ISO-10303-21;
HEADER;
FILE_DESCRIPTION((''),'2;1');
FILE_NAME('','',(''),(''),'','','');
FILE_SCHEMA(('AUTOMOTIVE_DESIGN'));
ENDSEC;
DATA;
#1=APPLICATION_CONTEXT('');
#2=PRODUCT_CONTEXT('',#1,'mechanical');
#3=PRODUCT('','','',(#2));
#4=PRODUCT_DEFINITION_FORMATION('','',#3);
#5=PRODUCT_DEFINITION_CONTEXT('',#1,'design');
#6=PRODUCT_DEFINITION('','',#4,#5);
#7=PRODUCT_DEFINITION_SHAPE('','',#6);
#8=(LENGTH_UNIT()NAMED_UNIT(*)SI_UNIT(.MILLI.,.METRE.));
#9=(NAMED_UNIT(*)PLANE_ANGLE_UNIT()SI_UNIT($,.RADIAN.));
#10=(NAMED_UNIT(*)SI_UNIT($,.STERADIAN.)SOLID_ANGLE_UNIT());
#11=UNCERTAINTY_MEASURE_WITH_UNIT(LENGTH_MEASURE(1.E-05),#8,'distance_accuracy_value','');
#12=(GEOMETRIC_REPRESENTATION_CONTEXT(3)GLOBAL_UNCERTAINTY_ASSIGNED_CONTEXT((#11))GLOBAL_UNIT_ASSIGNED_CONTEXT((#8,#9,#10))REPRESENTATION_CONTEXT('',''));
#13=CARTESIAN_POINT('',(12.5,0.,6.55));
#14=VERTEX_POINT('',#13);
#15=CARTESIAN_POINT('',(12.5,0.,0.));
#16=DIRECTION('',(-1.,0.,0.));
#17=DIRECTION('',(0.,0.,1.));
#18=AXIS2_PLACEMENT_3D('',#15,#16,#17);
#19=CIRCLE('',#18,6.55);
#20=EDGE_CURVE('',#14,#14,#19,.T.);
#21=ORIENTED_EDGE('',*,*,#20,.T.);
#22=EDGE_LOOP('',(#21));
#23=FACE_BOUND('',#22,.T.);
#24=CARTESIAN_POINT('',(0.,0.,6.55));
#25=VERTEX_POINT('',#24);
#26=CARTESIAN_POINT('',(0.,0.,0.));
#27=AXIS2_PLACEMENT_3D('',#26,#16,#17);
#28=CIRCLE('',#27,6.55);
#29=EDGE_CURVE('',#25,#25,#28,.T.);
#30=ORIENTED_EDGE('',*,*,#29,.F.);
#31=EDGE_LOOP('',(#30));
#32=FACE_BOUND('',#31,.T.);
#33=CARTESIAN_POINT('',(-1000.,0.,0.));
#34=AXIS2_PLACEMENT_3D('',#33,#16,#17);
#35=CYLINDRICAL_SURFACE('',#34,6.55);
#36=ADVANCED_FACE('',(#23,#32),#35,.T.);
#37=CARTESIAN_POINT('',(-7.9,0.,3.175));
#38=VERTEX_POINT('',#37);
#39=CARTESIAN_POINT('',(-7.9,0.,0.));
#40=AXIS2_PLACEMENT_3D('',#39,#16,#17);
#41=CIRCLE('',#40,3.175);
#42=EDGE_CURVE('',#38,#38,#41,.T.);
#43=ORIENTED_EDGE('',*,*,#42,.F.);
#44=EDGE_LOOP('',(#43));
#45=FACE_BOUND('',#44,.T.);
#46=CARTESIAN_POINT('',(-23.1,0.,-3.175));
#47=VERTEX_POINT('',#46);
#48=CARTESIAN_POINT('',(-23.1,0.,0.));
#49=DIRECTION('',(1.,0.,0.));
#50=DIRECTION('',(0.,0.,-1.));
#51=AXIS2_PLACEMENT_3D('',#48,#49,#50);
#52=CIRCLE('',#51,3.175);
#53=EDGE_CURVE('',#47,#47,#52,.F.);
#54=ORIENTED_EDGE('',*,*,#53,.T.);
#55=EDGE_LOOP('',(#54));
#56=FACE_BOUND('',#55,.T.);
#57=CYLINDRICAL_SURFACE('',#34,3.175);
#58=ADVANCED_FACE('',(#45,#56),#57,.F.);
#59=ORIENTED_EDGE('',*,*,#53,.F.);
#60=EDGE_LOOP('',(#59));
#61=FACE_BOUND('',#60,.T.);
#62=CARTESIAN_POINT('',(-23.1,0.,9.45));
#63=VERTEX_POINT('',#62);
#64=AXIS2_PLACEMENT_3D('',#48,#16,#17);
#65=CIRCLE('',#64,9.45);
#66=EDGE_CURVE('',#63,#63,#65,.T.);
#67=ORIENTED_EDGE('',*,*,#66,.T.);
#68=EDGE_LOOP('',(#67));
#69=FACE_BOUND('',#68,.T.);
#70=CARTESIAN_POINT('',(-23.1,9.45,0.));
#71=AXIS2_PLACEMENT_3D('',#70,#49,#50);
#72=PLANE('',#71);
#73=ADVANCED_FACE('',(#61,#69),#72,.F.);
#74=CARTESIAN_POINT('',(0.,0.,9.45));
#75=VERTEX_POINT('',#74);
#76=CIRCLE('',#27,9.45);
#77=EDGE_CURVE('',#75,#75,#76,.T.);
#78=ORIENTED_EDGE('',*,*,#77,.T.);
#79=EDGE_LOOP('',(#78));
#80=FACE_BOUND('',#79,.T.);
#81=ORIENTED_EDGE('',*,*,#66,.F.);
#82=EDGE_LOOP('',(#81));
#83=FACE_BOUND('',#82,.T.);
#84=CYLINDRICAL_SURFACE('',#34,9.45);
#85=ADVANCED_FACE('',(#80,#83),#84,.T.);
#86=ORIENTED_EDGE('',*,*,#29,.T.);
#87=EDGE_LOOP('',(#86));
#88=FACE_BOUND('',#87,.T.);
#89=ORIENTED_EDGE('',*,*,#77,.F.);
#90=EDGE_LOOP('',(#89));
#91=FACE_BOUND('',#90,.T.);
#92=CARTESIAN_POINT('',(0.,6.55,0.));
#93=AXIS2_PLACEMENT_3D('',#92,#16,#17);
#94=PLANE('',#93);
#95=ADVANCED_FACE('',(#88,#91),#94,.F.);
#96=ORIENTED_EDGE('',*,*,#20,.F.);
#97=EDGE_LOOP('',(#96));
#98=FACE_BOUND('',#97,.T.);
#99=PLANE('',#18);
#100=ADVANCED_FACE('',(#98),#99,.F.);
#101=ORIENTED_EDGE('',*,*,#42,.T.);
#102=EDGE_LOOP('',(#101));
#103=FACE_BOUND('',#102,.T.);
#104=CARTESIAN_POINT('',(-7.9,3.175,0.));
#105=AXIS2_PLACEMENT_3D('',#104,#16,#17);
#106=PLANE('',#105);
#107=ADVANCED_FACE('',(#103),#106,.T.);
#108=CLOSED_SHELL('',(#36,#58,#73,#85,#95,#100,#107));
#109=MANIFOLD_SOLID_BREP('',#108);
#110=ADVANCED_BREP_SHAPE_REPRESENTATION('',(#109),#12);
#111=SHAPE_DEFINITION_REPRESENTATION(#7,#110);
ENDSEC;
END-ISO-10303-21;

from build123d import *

# Parameters (mm, degrees)
SOCKET_SKETCH_W = 16.2
SOCKET_SKETCH_H = 3.175


with BuildPart() as part:
    # Conn_T4_ORB6 Sketch → Conn_T4_ORB6 (revolve)
    with BuildSketch(Plane.XY):
        Polygon((12.5, 0), (12.5, 6.55), (0, 6.55), (0, 9.45), (-23.1, 9.45), (-23.1, 0), align=None)
    revolve(axis=Axis((-1000, 0, 0), (1, 0, 0)))

    # Socket Sketch → Socket (revolve, cut)
    with BuildSketch(Plane.XY):
        with Locations((-16, 1.5875)):
            Rectangle(SOCKET_SKETCH_W, SOCKET_SKETCH_H)
    revolve(axis=Axis((-1000, 0, 0), (1, 0, 0)), mode=Mode.SUBTRACT)


solid = part.part
